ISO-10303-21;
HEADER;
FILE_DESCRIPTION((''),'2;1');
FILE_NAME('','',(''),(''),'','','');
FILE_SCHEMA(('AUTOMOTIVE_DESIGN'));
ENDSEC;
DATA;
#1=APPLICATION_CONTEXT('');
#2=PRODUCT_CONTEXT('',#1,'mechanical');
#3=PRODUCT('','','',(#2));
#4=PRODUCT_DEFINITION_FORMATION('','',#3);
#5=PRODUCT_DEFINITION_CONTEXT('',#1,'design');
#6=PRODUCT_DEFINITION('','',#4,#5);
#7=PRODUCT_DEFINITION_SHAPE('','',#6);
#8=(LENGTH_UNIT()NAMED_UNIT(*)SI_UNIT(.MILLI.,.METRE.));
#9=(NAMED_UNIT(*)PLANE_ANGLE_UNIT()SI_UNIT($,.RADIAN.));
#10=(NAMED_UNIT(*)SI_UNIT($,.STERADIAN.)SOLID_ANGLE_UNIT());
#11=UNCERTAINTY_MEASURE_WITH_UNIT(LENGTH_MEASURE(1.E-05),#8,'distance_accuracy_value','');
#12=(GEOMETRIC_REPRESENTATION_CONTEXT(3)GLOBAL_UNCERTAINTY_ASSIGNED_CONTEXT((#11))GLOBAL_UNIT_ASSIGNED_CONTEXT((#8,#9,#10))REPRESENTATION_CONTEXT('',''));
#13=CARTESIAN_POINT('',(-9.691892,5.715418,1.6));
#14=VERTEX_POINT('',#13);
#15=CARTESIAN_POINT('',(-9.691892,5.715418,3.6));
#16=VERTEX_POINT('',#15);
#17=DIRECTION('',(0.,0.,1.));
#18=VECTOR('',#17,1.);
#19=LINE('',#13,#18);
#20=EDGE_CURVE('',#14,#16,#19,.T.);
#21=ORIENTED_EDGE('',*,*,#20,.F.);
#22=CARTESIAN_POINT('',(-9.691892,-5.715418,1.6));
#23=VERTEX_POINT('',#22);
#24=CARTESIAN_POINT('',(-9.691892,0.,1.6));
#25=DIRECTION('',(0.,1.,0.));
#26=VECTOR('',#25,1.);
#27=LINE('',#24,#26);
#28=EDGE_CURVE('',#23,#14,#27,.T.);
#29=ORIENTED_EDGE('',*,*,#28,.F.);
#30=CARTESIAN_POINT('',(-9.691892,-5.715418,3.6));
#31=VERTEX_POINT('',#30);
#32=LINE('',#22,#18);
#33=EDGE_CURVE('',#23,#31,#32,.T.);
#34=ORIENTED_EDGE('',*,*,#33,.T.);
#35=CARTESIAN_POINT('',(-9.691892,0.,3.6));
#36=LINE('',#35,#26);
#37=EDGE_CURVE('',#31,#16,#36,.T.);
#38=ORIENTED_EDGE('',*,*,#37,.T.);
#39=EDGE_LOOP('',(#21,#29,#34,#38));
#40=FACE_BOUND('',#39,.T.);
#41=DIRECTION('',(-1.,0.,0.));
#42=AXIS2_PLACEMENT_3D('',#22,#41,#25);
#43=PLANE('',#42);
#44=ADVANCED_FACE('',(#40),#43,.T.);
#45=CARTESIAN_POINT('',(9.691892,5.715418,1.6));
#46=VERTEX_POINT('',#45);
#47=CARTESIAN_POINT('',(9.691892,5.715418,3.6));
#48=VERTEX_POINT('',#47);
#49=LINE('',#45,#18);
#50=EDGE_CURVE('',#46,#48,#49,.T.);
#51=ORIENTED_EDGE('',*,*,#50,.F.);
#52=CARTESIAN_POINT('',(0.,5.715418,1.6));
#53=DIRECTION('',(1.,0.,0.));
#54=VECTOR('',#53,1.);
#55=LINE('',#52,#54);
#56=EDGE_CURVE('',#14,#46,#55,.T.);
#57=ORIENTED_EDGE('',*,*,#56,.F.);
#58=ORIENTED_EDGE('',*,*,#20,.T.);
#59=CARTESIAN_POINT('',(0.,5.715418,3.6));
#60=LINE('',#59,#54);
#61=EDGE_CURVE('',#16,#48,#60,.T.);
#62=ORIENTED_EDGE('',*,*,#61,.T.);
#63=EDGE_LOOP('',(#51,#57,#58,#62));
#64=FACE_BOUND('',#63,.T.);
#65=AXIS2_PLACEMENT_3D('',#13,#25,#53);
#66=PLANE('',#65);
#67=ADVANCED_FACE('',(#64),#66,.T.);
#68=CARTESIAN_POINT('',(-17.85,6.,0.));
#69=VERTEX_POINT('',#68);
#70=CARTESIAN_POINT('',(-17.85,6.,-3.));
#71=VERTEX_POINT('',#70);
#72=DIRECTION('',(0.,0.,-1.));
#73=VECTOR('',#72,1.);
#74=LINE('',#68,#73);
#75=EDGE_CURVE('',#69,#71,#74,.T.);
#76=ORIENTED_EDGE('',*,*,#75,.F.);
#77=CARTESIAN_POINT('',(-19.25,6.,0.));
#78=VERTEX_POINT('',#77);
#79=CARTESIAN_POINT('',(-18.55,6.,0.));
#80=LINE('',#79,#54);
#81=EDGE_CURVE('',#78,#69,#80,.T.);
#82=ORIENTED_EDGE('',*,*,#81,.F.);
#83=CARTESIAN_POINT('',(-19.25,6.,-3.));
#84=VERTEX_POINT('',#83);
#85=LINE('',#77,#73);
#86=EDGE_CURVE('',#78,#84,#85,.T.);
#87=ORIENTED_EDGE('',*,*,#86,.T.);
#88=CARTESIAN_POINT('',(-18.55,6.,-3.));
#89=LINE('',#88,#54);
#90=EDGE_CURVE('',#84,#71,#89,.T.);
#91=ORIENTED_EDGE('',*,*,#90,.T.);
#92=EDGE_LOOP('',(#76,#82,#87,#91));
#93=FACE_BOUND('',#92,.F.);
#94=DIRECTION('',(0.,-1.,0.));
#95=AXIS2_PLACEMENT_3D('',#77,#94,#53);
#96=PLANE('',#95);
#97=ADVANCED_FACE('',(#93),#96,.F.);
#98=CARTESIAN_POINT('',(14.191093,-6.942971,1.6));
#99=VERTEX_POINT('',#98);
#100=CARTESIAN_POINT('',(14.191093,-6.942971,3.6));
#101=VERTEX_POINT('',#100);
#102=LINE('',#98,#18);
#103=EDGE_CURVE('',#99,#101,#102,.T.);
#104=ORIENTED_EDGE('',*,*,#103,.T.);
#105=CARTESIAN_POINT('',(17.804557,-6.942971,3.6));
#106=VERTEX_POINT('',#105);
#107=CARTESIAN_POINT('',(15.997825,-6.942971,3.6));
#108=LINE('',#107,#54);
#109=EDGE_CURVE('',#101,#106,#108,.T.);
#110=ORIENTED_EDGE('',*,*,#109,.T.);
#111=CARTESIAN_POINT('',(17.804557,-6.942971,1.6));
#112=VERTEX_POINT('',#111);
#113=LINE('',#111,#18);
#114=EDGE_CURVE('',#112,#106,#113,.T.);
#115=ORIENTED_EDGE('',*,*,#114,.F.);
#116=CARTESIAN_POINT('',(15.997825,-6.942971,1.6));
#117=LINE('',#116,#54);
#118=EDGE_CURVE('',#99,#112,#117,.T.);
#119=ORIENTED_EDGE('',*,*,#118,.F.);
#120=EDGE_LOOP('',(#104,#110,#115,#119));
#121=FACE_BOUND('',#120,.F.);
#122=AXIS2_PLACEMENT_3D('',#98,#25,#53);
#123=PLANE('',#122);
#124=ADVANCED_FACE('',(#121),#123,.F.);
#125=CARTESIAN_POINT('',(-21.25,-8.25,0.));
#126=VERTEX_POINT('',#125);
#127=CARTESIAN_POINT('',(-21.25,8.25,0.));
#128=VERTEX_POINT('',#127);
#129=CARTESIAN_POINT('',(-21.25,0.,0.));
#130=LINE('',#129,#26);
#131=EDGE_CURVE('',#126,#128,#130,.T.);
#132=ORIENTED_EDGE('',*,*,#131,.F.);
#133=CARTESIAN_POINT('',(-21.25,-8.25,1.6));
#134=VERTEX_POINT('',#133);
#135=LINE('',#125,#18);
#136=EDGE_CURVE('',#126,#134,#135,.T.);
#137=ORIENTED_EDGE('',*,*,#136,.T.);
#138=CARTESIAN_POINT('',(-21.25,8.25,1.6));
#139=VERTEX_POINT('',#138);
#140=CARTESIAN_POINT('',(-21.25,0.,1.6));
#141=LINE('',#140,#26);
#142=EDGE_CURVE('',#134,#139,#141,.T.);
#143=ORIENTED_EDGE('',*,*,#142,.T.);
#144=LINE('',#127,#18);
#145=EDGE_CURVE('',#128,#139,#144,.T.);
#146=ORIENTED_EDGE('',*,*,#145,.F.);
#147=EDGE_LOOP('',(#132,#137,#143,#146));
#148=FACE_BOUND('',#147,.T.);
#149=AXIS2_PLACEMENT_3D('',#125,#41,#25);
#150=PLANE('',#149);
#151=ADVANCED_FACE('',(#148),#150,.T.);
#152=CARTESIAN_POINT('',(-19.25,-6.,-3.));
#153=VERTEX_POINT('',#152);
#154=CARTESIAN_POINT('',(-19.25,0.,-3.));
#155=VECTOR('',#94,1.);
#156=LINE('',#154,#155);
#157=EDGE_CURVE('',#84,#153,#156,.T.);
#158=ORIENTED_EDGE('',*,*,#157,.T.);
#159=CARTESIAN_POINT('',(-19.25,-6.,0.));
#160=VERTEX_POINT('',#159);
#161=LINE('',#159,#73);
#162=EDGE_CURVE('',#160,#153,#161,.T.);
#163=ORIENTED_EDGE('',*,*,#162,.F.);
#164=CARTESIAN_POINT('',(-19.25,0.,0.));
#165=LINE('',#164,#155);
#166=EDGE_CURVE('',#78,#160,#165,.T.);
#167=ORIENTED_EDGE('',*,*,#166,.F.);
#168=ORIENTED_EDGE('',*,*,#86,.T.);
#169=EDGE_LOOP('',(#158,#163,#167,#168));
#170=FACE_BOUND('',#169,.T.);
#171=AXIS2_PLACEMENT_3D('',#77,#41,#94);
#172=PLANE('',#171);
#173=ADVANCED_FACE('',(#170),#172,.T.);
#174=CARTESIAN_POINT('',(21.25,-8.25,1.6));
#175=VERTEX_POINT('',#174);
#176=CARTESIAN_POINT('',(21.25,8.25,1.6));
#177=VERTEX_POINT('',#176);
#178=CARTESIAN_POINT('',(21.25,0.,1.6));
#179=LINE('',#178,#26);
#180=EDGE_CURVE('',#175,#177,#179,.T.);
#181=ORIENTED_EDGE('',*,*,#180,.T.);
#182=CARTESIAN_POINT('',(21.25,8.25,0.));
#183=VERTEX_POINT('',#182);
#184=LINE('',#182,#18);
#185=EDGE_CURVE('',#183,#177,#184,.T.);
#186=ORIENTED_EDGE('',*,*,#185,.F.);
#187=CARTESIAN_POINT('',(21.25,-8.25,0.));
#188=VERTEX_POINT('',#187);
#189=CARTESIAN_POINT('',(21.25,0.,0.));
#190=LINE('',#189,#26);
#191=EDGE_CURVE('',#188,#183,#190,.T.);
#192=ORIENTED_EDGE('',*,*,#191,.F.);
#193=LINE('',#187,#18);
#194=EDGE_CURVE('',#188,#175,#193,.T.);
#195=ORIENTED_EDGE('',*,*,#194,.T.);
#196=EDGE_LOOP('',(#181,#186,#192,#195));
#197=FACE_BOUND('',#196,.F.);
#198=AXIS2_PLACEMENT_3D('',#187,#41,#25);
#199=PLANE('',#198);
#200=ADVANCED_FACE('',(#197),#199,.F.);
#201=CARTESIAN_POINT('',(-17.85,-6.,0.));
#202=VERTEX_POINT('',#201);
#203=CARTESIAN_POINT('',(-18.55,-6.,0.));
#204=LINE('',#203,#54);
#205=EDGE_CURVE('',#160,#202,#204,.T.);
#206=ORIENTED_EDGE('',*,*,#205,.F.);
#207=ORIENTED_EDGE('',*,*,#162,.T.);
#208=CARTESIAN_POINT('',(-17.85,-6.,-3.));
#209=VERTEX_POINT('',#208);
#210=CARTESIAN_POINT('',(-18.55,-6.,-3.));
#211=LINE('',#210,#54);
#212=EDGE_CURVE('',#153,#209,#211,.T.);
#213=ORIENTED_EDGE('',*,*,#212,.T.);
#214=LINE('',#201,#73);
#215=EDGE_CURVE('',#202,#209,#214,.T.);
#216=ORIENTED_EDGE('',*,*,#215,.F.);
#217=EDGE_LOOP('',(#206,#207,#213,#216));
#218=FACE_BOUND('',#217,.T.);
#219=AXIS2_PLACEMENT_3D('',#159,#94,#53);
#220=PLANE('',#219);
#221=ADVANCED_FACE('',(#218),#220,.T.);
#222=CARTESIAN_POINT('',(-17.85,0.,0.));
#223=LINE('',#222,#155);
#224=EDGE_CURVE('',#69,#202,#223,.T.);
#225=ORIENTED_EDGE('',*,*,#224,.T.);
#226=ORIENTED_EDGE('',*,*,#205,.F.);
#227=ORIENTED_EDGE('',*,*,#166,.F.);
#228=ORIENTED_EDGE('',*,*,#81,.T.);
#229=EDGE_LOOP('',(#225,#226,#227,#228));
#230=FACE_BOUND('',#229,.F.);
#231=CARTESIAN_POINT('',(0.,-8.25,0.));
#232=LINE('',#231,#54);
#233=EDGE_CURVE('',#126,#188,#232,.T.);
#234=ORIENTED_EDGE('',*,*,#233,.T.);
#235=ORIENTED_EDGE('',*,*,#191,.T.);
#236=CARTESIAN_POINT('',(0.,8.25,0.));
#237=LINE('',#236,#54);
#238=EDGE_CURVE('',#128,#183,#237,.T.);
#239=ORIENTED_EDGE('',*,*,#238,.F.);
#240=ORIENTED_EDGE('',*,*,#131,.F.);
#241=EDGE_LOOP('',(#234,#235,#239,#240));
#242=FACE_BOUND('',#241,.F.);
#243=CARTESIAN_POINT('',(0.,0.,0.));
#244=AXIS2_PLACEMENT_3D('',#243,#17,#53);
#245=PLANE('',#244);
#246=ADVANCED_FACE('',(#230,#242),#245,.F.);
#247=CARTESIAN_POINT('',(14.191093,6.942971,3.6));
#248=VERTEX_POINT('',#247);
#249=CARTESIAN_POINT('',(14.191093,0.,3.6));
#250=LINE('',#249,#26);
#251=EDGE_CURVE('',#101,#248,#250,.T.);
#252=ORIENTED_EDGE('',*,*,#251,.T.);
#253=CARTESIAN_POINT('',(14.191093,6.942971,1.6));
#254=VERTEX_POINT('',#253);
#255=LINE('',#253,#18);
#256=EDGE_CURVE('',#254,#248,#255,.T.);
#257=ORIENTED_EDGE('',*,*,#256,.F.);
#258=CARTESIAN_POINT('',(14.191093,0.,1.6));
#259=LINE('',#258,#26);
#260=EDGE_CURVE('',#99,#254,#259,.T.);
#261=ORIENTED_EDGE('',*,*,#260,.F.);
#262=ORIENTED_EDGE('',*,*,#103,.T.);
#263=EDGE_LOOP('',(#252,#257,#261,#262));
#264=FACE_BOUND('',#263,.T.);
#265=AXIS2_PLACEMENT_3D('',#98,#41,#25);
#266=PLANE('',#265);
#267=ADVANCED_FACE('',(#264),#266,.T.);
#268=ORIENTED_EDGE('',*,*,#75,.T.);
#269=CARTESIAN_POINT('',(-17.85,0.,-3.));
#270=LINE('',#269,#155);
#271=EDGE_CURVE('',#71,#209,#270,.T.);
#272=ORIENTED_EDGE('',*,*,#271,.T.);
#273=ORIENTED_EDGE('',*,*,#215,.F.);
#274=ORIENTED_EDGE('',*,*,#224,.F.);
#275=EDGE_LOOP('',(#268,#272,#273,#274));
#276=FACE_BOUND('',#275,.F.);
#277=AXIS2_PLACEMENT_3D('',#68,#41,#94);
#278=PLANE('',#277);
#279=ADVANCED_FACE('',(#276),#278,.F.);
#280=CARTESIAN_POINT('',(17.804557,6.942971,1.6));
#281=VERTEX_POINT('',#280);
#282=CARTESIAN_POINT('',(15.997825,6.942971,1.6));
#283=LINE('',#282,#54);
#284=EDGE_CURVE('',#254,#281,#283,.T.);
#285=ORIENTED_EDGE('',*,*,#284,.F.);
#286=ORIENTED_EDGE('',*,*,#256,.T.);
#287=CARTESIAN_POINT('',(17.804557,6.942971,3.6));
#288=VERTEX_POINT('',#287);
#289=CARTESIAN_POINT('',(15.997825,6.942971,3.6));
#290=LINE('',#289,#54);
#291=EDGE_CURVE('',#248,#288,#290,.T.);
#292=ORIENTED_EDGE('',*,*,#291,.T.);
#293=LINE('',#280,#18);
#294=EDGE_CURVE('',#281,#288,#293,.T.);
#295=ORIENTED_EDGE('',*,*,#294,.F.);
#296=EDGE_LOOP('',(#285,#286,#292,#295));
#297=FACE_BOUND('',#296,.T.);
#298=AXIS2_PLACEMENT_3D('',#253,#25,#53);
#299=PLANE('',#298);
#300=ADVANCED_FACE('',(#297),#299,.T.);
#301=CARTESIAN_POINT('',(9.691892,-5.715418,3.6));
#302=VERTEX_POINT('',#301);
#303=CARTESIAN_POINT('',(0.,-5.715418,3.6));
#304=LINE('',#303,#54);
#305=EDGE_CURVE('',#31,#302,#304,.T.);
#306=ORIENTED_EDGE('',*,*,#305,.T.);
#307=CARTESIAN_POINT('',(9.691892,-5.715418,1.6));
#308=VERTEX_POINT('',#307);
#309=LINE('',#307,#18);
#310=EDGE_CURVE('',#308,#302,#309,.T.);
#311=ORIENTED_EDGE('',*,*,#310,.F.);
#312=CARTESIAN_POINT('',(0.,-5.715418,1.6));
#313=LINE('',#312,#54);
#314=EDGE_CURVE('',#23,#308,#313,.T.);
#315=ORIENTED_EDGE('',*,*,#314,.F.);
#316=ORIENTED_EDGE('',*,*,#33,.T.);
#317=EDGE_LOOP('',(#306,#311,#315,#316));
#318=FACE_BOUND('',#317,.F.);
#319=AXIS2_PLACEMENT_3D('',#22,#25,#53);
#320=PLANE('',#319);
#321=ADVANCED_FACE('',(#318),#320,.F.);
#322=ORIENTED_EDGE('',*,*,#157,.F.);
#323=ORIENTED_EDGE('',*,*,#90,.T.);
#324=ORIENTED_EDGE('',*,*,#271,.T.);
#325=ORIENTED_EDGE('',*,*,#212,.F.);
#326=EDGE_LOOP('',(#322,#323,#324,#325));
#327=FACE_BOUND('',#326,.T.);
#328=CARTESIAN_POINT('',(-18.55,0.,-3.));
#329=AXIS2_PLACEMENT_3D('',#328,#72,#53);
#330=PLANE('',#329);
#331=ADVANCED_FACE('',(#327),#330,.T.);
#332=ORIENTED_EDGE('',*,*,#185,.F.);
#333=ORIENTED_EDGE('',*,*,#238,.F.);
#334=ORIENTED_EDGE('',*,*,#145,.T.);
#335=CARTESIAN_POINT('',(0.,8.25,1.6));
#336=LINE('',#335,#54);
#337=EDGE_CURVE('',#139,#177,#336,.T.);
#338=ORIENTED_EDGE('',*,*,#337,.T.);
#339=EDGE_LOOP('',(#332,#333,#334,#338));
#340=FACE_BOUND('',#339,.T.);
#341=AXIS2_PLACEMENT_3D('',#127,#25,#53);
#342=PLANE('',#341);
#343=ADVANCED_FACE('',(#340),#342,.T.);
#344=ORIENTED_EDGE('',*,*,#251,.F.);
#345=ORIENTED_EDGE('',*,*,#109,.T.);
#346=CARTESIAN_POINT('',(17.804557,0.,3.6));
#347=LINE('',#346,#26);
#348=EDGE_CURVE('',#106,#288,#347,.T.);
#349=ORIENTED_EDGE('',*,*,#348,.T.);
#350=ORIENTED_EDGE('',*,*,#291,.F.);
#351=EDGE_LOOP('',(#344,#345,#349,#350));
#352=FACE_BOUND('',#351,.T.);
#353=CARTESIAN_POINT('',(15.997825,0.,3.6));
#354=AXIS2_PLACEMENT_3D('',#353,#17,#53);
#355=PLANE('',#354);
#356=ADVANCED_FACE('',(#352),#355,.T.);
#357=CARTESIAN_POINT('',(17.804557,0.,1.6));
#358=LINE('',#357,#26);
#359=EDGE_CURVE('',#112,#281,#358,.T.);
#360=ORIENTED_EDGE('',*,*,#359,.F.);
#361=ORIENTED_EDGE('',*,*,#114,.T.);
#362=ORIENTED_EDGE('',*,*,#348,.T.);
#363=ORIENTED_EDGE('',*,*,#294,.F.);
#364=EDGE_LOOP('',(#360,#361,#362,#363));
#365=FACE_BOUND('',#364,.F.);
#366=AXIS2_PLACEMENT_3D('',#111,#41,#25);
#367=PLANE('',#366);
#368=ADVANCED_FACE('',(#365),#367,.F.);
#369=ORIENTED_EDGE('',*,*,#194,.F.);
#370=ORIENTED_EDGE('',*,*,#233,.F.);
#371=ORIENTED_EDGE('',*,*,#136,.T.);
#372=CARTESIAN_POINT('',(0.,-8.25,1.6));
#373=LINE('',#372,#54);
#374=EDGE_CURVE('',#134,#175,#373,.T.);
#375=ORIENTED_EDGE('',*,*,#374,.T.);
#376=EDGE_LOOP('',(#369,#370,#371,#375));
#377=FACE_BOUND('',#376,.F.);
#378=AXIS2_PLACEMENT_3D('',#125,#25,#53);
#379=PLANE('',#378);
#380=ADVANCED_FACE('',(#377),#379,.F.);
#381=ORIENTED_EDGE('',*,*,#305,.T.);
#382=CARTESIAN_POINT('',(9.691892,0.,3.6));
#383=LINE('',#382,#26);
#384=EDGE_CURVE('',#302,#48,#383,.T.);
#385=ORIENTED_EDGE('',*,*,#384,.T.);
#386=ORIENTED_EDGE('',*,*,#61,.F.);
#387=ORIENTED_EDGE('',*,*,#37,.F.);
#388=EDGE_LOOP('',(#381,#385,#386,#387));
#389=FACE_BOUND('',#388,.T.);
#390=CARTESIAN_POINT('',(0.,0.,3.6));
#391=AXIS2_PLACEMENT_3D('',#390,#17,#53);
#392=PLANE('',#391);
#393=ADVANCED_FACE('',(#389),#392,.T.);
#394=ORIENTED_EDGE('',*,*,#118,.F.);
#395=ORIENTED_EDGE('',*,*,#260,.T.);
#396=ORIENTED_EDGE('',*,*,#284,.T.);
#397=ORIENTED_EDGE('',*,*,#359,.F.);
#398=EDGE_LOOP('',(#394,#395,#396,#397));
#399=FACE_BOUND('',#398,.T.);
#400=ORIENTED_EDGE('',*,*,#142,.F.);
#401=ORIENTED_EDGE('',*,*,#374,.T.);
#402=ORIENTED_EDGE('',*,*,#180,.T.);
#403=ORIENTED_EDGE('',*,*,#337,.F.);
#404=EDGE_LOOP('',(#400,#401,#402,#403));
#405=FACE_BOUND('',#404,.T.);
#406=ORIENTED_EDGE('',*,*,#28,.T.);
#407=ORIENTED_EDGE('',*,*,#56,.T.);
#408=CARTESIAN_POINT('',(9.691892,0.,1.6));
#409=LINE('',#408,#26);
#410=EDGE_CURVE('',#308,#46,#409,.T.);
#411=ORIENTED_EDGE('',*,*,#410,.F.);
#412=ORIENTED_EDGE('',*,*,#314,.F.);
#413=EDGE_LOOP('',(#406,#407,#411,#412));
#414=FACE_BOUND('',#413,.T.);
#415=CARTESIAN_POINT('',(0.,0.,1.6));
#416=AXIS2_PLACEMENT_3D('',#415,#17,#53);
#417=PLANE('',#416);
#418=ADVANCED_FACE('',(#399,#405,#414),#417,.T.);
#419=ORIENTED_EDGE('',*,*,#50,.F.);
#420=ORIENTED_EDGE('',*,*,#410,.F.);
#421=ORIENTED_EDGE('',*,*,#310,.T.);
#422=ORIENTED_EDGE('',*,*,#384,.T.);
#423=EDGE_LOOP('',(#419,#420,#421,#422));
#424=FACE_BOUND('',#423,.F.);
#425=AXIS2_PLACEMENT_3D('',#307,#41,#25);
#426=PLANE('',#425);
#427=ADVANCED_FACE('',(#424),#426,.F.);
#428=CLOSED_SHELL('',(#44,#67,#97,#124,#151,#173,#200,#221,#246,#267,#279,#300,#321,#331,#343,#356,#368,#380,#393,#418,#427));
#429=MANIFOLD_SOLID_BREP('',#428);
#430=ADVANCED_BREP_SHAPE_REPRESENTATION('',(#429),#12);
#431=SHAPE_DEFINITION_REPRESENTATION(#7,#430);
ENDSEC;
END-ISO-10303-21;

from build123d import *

# Parameters (mm, degrees)
F0_W     = 42.5
F0_H     = 16.5
F1_DEPTH = 1.6
F2_W     = 19.383784
F2_H     = 11.430836
F2_W_2   = 3.613464
F2_H_2   = 13.885942
F3_DEPTH = 2
F4_W     = 1.4
F4_H     = 12
F5_DEPTH = 3


with BuildPart() as f1:
    # F0 (on Top) → F1 (new body)
    with BuildSketch(Plane.XY):
        Rectangle(F0_W, F0_H)
    extrude(amount=F1_DEPTH)

    # F2 (on face) → F3 (join)
    with BuildSketch(Plane.XY.offset(1.6)):
        Rectangle(F2_W, F2_H)
        with Locations((15.997825, 0)):
            Rectangle(F2_W_2, F2_H_2)
    extrude(amount=F3_DEPTH)

    # F4 (on face) → F5 (join)
    with BuildSketch(Plane(origin=(0, 0, 0), x_dir=(1, 0, 0), z_dir=(0, 0, -1))):
        with Locations((-18.55, 0)):
            Rectangle(F4_W, F4_H)
    extrude(amount=F5_DEPTH)


solid = f1.part
